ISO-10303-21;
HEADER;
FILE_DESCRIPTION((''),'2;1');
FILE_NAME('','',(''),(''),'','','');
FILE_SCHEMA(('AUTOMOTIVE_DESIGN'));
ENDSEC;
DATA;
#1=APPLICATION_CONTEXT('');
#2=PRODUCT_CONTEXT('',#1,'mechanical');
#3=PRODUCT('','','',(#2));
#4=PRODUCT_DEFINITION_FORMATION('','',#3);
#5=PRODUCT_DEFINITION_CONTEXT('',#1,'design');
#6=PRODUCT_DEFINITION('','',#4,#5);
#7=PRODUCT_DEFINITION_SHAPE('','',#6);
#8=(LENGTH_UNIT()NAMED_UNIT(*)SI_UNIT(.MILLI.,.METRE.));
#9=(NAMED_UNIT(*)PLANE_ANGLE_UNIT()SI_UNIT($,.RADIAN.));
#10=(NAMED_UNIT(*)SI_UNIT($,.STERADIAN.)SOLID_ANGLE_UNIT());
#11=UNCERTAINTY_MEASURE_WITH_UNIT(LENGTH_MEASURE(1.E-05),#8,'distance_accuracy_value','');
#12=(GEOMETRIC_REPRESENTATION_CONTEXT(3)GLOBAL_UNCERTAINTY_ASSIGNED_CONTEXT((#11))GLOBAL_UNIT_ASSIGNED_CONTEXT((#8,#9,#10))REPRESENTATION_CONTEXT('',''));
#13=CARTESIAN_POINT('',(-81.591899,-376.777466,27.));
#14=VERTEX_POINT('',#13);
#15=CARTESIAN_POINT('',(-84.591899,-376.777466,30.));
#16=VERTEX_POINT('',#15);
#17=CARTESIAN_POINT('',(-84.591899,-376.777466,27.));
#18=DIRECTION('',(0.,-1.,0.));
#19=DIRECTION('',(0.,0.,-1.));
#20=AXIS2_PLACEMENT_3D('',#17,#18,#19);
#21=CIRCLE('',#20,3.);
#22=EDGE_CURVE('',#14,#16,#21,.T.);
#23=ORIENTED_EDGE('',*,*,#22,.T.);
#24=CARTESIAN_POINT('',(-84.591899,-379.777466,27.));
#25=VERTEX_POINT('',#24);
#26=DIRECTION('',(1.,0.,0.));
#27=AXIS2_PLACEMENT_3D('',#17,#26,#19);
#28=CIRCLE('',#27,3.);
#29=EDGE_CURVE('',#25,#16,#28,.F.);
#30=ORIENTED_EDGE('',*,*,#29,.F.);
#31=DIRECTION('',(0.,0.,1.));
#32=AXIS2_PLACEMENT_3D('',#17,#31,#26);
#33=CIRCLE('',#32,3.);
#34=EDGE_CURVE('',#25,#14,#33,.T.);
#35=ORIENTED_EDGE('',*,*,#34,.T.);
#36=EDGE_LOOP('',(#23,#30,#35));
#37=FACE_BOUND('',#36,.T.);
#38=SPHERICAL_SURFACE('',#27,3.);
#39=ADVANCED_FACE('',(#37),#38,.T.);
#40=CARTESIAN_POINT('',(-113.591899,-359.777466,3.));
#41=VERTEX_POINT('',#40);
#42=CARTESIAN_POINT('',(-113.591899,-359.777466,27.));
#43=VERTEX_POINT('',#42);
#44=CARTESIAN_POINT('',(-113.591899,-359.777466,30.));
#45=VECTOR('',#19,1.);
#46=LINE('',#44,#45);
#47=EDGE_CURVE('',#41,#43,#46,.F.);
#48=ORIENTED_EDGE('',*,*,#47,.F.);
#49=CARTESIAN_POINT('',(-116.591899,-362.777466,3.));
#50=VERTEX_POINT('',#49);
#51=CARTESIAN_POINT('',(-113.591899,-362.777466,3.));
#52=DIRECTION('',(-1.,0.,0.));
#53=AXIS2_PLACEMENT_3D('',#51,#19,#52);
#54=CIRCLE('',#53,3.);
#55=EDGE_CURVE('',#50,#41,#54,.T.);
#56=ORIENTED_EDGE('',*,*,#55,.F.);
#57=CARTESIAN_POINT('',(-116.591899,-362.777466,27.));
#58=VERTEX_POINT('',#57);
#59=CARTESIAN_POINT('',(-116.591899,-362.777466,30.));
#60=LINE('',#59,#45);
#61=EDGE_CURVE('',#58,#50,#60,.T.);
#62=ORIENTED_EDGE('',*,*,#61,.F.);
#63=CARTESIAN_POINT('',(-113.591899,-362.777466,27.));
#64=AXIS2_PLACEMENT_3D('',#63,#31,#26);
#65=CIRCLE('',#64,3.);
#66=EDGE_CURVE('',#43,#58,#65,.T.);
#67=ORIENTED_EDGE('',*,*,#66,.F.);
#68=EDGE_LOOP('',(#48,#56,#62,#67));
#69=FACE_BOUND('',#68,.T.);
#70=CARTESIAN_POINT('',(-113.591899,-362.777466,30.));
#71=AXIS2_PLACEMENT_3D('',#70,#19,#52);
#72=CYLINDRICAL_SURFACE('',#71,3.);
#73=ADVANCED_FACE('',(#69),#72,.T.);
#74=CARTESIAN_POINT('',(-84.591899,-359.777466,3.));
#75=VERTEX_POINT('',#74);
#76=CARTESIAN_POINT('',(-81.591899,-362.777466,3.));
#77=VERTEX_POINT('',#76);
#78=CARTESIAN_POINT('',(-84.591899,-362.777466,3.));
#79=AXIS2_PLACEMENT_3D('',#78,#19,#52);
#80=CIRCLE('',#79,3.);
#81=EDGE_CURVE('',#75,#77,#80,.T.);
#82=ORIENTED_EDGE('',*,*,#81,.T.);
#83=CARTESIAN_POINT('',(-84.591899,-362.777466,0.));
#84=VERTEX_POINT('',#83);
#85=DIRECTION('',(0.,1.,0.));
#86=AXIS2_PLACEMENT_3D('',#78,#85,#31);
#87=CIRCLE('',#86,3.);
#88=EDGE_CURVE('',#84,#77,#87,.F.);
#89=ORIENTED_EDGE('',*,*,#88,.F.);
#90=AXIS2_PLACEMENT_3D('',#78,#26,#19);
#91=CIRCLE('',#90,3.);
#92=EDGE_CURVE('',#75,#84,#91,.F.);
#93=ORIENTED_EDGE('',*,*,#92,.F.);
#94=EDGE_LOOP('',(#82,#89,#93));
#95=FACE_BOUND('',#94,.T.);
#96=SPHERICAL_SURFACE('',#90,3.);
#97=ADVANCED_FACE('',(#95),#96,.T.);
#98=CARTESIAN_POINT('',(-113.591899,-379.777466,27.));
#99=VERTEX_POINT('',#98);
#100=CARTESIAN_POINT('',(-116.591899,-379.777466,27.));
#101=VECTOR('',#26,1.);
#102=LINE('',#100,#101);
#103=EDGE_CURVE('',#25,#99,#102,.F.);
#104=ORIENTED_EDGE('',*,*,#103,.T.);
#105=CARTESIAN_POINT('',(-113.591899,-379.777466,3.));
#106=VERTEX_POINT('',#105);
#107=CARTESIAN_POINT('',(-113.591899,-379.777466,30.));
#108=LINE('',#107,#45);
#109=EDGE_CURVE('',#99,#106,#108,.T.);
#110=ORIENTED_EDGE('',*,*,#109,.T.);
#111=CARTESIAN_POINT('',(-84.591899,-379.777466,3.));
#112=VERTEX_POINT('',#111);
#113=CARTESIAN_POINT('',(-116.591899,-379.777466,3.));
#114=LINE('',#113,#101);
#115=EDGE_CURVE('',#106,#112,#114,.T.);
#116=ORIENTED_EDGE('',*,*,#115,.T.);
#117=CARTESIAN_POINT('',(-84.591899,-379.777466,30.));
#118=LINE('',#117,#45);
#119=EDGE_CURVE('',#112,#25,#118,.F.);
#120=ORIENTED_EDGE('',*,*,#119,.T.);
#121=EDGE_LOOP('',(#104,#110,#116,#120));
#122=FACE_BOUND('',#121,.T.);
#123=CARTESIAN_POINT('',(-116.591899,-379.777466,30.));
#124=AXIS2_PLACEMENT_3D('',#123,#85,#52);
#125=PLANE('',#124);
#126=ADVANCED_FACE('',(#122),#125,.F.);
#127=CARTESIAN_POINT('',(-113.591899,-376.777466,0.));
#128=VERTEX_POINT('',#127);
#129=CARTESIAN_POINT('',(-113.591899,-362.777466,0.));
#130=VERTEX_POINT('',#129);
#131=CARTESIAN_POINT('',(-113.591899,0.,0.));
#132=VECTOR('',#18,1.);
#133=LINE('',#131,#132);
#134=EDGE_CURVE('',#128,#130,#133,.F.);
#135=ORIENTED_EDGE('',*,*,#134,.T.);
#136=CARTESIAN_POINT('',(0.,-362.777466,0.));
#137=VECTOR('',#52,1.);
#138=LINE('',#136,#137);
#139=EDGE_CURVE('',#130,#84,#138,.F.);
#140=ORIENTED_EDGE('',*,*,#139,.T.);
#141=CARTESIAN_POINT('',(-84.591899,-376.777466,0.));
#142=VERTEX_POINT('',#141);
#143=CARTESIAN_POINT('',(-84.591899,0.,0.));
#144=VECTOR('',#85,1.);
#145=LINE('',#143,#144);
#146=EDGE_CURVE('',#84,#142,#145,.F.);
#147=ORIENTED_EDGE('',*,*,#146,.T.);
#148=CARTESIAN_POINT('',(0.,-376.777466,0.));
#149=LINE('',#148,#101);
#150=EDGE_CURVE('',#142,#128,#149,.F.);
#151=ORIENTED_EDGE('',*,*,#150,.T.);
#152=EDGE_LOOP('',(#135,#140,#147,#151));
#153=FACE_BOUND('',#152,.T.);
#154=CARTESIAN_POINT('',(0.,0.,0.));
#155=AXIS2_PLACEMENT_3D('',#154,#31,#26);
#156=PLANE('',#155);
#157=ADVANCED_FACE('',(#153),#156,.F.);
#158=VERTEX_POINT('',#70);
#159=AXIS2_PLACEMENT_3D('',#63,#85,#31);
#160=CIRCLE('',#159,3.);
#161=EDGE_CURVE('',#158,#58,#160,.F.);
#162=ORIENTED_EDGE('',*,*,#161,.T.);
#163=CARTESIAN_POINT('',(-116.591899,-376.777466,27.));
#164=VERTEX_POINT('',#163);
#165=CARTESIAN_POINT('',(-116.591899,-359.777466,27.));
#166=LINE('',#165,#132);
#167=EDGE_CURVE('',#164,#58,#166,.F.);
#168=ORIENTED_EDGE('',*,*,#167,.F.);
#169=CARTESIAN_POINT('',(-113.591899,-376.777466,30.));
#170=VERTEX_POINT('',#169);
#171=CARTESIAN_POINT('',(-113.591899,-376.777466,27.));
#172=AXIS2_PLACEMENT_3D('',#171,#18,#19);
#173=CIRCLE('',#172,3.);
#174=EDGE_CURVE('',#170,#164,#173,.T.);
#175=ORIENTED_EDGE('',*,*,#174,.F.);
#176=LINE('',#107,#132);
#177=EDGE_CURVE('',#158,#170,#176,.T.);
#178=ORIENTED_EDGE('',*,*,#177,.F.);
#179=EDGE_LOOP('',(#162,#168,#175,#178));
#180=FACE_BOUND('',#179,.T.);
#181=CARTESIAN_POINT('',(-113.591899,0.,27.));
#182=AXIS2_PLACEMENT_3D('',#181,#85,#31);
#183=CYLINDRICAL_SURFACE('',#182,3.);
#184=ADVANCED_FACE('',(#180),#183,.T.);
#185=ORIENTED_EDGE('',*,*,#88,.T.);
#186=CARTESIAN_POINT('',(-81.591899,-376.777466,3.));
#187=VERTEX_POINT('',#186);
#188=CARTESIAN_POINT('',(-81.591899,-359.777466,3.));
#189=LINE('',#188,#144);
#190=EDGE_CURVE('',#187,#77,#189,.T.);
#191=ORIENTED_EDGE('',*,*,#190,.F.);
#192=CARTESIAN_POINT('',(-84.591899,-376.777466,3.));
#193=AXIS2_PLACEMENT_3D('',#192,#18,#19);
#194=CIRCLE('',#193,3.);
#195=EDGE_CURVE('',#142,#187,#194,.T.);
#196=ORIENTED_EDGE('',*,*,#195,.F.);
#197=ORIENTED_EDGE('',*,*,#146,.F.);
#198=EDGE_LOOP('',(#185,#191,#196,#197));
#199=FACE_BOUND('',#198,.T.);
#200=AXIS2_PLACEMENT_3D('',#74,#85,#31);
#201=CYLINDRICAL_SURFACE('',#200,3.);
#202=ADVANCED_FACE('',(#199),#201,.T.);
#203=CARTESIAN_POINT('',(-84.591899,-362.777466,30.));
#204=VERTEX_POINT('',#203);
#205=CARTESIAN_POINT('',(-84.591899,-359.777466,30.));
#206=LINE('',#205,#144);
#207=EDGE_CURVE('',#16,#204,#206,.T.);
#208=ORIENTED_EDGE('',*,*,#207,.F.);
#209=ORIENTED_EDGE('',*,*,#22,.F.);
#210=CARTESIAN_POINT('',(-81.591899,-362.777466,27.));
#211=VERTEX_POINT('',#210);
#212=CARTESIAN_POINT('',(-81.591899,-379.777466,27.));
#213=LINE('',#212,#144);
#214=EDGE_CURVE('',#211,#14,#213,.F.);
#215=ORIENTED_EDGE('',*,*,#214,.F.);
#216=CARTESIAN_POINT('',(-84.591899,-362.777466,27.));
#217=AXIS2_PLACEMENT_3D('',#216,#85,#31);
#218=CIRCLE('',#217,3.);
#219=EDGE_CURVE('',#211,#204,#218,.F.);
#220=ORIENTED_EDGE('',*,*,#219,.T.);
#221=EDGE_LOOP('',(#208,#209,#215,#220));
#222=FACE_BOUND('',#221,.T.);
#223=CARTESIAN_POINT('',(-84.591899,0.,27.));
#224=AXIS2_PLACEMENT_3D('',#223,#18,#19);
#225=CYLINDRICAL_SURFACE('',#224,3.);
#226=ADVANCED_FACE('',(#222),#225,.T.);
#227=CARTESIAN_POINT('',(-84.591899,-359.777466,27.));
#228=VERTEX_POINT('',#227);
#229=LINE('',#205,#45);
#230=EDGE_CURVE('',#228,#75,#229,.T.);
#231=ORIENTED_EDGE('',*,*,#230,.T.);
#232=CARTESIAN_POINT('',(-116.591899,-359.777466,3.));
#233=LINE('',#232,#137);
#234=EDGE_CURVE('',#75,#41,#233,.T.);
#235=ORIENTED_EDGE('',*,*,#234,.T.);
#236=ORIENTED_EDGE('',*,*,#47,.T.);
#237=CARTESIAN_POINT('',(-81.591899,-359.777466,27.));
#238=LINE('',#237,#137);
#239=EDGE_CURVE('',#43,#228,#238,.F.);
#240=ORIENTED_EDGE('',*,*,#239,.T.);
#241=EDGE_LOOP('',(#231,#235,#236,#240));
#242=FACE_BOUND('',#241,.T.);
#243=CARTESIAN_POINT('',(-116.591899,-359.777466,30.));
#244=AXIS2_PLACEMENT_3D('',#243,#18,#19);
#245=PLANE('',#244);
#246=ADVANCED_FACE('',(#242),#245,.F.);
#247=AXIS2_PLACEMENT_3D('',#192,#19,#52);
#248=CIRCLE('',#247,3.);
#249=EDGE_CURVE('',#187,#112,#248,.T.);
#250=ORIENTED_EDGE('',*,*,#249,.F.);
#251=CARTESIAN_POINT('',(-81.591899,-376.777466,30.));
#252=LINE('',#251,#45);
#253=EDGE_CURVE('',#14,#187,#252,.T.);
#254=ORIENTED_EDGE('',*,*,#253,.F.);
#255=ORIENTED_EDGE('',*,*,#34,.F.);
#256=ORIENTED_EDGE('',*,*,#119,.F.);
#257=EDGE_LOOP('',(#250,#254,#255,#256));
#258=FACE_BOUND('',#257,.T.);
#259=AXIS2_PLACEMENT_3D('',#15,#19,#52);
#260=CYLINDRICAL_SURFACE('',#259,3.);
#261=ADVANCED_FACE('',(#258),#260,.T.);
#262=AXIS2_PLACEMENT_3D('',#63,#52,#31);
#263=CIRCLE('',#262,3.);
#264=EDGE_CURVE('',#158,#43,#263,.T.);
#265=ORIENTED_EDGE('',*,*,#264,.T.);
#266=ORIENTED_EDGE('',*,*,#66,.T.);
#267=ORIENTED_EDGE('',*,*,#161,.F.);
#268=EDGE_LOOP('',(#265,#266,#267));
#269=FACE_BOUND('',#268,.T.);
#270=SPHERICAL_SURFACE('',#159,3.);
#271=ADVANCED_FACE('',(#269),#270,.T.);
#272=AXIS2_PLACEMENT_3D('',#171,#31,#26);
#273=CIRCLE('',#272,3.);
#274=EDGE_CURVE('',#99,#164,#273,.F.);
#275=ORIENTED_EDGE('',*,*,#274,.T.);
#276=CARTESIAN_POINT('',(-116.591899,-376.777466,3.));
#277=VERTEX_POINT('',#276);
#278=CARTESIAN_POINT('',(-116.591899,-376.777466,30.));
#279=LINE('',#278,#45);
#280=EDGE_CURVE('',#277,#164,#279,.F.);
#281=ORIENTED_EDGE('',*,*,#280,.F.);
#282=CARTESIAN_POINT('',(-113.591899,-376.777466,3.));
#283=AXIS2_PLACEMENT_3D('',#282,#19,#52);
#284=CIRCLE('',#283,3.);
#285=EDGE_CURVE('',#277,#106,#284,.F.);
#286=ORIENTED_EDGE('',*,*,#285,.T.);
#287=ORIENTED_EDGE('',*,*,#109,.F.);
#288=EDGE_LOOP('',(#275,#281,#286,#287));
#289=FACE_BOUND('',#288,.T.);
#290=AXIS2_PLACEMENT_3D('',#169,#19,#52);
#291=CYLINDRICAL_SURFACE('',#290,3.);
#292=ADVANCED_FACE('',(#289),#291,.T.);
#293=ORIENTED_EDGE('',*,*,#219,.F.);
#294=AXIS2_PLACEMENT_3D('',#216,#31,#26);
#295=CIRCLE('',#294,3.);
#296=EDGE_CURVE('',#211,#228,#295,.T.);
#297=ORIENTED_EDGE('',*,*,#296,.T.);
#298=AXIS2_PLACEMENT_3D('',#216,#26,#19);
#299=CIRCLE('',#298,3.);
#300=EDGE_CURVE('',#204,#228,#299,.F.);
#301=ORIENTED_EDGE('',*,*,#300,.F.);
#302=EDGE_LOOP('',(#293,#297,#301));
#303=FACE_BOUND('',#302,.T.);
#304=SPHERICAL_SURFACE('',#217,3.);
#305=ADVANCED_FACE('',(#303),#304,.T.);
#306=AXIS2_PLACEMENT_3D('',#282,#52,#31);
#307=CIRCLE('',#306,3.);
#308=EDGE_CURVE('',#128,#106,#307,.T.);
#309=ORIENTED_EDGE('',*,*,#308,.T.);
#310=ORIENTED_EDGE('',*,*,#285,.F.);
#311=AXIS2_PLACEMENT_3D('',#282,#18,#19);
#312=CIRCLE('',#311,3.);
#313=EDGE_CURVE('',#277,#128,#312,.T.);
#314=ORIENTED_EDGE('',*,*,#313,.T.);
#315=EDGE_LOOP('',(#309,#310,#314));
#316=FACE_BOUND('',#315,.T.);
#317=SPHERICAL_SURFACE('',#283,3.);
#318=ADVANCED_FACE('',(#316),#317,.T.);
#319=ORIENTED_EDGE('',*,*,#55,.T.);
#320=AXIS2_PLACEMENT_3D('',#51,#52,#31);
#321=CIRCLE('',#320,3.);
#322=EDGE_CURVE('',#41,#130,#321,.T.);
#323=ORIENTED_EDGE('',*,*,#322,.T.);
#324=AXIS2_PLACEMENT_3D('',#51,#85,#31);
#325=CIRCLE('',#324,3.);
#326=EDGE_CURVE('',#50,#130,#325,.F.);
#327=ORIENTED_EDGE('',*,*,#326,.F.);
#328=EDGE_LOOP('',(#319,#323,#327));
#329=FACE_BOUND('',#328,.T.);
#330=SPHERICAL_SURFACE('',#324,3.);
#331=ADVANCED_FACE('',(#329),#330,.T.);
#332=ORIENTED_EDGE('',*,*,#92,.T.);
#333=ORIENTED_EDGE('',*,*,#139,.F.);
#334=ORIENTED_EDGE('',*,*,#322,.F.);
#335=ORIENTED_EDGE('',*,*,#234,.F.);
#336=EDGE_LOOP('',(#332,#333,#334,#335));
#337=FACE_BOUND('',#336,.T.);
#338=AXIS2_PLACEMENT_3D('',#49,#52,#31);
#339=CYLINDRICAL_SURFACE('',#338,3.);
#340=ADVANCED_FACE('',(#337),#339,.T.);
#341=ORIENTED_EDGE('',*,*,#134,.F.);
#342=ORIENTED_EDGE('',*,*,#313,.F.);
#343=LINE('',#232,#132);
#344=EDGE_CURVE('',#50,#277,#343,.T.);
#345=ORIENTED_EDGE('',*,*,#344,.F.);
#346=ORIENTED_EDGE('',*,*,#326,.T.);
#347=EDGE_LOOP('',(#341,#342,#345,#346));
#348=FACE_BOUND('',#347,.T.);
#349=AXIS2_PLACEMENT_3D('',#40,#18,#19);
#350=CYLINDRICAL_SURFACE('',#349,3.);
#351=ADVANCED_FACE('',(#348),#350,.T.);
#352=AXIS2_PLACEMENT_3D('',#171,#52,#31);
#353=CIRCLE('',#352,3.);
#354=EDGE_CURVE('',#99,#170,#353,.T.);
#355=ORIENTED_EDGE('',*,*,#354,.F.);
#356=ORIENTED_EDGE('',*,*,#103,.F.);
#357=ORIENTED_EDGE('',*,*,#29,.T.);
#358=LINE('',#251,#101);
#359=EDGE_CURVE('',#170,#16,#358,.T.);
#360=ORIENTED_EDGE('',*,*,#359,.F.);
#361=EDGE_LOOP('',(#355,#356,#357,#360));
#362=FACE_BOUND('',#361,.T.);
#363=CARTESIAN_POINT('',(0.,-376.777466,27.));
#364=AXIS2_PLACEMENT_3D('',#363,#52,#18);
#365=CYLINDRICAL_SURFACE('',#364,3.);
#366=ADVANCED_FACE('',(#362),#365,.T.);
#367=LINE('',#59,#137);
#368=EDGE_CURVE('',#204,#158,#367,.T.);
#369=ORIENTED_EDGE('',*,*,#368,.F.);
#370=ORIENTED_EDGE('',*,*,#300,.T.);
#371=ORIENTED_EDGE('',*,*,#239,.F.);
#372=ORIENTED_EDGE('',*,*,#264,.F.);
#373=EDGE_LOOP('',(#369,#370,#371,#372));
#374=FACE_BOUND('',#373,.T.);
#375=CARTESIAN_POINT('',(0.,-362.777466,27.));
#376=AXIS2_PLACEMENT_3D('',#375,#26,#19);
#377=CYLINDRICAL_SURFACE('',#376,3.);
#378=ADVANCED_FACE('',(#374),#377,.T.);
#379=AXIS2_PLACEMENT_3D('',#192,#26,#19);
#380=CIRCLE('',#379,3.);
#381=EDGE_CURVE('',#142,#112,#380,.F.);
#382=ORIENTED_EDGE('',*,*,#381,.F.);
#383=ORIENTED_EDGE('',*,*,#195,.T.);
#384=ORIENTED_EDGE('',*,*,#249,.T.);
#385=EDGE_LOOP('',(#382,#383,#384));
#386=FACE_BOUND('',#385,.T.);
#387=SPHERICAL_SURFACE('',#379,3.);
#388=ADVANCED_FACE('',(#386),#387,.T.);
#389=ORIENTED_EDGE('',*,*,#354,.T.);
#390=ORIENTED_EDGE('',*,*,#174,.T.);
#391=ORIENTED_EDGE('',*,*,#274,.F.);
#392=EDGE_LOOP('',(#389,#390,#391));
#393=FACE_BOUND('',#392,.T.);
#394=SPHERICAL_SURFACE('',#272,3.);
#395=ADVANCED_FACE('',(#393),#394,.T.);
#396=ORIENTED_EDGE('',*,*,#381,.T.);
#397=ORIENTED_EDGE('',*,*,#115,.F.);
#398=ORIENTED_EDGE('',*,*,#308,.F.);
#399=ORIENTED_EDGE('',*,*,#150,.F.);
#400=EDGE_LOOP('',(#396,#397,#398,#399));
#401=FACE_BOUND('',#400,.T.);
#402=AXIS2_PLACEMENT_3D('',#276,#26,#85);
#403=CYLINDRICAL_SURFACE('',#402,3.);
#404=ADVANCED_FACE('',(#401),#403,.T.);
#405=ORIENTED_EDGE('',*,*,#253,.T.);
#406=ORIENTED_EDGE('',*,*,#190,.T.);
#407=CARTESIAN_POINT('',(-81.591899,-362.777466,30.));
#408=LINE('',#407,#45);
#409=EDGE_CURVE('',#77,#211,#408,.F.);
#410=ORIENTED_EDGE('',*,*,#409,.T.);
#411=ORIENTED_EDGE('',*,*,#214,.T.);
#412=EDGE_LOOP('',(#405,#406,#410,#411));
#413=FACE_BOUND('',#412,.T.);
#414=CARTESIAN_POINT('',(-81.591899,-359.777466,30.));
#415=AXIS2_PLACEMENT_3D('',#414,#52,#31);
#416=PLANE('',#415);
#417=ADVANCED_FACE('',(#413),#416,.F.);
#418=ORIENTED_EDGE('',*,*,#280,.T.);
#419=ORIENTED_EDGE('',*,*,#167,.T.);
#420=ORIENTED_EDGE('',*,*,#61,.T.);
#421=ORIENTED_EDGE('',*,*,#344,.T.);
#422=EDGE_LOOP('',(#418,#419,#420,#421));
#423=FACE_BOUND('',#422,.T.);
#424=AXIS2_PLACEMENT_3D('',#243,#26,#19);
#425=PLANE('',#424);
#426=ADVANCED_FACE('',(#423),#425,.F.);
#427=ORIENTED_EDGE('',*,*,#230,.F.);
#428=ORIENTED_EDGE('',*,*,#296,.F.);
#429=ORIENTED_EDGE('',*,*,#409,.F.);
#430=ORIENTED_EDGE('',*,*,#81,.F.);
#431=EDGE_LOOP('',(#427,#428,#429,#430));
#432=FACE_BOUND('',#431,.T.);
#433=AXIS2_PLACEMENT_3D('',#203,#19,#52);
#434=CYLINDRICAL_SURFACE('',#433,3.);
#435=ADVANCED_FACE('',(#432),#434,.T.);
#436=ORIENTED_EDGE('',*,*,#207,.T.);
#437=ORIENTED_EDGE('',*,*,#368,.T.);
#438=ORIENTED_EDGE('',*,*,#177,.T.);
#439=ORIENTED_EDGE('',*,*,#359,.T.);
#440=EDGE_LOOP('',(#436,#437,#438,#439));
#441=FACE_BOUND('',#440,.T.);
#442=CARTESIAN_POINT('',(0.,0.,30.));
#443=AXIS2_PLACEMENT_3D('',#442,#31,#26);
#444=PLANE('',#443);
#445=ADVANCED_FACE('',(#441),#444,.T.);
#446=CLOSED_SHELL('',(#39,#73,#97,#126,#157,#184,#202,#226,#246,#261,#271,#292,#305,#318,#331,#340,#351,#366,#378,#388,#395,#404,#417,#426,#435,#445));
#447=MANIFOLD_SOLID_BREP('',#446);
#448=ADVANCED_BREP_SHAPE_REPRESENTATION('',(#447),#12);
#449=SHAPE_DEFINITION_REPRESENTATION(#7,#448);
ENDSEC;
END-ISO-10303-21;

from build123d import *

# Parameters (mm, degrees)
SKETCH1_W           = 35
SKETCH1_H           = 20
BOSS_EXTRUDE1_DEPTH = 30
FILLET1_R           = 3


with BuildPart() as part:
    # Sketch1 → Boss-Extrude1 (new body)
    with BuildSketch(Plane.XY):
        with Locations((-99.091899354, -369.777465673)):
            Rectangle(SKETCH1_W, SKETCH1_H)
    extrude(amount=BOSS_EXTRUDE1_DEPTH)

    # Fillet1
    fillet1_edges = [part.edges().sort_by_distance(p)[0] for p in [
        (-81.591899354, -369.777465673, 30),
        (-99.091899354, -359.777465673, 30),
        (-116.591899354, -369.777465673, 30),
        (-99.091899354, -359.777465673, 0),
        (-81.591899354, -369.777465673, 0),
        (-99.091899354, -379.777465673, 0),
        (-116.591899354, -369.777465673, 0),
        (-116.591899354, -359.777465673, 15),
        (-81.591899354, -359.777465673, 15),
        (-81.591899354, -379.777465673, 15),
        (-116.591899354, -379.777465673, 15),
        (-99.091899354, -379.777465673, 30),
    ]]
    fillet(fillet1_edges, radius=FILLET1_R)


solid = part.part
